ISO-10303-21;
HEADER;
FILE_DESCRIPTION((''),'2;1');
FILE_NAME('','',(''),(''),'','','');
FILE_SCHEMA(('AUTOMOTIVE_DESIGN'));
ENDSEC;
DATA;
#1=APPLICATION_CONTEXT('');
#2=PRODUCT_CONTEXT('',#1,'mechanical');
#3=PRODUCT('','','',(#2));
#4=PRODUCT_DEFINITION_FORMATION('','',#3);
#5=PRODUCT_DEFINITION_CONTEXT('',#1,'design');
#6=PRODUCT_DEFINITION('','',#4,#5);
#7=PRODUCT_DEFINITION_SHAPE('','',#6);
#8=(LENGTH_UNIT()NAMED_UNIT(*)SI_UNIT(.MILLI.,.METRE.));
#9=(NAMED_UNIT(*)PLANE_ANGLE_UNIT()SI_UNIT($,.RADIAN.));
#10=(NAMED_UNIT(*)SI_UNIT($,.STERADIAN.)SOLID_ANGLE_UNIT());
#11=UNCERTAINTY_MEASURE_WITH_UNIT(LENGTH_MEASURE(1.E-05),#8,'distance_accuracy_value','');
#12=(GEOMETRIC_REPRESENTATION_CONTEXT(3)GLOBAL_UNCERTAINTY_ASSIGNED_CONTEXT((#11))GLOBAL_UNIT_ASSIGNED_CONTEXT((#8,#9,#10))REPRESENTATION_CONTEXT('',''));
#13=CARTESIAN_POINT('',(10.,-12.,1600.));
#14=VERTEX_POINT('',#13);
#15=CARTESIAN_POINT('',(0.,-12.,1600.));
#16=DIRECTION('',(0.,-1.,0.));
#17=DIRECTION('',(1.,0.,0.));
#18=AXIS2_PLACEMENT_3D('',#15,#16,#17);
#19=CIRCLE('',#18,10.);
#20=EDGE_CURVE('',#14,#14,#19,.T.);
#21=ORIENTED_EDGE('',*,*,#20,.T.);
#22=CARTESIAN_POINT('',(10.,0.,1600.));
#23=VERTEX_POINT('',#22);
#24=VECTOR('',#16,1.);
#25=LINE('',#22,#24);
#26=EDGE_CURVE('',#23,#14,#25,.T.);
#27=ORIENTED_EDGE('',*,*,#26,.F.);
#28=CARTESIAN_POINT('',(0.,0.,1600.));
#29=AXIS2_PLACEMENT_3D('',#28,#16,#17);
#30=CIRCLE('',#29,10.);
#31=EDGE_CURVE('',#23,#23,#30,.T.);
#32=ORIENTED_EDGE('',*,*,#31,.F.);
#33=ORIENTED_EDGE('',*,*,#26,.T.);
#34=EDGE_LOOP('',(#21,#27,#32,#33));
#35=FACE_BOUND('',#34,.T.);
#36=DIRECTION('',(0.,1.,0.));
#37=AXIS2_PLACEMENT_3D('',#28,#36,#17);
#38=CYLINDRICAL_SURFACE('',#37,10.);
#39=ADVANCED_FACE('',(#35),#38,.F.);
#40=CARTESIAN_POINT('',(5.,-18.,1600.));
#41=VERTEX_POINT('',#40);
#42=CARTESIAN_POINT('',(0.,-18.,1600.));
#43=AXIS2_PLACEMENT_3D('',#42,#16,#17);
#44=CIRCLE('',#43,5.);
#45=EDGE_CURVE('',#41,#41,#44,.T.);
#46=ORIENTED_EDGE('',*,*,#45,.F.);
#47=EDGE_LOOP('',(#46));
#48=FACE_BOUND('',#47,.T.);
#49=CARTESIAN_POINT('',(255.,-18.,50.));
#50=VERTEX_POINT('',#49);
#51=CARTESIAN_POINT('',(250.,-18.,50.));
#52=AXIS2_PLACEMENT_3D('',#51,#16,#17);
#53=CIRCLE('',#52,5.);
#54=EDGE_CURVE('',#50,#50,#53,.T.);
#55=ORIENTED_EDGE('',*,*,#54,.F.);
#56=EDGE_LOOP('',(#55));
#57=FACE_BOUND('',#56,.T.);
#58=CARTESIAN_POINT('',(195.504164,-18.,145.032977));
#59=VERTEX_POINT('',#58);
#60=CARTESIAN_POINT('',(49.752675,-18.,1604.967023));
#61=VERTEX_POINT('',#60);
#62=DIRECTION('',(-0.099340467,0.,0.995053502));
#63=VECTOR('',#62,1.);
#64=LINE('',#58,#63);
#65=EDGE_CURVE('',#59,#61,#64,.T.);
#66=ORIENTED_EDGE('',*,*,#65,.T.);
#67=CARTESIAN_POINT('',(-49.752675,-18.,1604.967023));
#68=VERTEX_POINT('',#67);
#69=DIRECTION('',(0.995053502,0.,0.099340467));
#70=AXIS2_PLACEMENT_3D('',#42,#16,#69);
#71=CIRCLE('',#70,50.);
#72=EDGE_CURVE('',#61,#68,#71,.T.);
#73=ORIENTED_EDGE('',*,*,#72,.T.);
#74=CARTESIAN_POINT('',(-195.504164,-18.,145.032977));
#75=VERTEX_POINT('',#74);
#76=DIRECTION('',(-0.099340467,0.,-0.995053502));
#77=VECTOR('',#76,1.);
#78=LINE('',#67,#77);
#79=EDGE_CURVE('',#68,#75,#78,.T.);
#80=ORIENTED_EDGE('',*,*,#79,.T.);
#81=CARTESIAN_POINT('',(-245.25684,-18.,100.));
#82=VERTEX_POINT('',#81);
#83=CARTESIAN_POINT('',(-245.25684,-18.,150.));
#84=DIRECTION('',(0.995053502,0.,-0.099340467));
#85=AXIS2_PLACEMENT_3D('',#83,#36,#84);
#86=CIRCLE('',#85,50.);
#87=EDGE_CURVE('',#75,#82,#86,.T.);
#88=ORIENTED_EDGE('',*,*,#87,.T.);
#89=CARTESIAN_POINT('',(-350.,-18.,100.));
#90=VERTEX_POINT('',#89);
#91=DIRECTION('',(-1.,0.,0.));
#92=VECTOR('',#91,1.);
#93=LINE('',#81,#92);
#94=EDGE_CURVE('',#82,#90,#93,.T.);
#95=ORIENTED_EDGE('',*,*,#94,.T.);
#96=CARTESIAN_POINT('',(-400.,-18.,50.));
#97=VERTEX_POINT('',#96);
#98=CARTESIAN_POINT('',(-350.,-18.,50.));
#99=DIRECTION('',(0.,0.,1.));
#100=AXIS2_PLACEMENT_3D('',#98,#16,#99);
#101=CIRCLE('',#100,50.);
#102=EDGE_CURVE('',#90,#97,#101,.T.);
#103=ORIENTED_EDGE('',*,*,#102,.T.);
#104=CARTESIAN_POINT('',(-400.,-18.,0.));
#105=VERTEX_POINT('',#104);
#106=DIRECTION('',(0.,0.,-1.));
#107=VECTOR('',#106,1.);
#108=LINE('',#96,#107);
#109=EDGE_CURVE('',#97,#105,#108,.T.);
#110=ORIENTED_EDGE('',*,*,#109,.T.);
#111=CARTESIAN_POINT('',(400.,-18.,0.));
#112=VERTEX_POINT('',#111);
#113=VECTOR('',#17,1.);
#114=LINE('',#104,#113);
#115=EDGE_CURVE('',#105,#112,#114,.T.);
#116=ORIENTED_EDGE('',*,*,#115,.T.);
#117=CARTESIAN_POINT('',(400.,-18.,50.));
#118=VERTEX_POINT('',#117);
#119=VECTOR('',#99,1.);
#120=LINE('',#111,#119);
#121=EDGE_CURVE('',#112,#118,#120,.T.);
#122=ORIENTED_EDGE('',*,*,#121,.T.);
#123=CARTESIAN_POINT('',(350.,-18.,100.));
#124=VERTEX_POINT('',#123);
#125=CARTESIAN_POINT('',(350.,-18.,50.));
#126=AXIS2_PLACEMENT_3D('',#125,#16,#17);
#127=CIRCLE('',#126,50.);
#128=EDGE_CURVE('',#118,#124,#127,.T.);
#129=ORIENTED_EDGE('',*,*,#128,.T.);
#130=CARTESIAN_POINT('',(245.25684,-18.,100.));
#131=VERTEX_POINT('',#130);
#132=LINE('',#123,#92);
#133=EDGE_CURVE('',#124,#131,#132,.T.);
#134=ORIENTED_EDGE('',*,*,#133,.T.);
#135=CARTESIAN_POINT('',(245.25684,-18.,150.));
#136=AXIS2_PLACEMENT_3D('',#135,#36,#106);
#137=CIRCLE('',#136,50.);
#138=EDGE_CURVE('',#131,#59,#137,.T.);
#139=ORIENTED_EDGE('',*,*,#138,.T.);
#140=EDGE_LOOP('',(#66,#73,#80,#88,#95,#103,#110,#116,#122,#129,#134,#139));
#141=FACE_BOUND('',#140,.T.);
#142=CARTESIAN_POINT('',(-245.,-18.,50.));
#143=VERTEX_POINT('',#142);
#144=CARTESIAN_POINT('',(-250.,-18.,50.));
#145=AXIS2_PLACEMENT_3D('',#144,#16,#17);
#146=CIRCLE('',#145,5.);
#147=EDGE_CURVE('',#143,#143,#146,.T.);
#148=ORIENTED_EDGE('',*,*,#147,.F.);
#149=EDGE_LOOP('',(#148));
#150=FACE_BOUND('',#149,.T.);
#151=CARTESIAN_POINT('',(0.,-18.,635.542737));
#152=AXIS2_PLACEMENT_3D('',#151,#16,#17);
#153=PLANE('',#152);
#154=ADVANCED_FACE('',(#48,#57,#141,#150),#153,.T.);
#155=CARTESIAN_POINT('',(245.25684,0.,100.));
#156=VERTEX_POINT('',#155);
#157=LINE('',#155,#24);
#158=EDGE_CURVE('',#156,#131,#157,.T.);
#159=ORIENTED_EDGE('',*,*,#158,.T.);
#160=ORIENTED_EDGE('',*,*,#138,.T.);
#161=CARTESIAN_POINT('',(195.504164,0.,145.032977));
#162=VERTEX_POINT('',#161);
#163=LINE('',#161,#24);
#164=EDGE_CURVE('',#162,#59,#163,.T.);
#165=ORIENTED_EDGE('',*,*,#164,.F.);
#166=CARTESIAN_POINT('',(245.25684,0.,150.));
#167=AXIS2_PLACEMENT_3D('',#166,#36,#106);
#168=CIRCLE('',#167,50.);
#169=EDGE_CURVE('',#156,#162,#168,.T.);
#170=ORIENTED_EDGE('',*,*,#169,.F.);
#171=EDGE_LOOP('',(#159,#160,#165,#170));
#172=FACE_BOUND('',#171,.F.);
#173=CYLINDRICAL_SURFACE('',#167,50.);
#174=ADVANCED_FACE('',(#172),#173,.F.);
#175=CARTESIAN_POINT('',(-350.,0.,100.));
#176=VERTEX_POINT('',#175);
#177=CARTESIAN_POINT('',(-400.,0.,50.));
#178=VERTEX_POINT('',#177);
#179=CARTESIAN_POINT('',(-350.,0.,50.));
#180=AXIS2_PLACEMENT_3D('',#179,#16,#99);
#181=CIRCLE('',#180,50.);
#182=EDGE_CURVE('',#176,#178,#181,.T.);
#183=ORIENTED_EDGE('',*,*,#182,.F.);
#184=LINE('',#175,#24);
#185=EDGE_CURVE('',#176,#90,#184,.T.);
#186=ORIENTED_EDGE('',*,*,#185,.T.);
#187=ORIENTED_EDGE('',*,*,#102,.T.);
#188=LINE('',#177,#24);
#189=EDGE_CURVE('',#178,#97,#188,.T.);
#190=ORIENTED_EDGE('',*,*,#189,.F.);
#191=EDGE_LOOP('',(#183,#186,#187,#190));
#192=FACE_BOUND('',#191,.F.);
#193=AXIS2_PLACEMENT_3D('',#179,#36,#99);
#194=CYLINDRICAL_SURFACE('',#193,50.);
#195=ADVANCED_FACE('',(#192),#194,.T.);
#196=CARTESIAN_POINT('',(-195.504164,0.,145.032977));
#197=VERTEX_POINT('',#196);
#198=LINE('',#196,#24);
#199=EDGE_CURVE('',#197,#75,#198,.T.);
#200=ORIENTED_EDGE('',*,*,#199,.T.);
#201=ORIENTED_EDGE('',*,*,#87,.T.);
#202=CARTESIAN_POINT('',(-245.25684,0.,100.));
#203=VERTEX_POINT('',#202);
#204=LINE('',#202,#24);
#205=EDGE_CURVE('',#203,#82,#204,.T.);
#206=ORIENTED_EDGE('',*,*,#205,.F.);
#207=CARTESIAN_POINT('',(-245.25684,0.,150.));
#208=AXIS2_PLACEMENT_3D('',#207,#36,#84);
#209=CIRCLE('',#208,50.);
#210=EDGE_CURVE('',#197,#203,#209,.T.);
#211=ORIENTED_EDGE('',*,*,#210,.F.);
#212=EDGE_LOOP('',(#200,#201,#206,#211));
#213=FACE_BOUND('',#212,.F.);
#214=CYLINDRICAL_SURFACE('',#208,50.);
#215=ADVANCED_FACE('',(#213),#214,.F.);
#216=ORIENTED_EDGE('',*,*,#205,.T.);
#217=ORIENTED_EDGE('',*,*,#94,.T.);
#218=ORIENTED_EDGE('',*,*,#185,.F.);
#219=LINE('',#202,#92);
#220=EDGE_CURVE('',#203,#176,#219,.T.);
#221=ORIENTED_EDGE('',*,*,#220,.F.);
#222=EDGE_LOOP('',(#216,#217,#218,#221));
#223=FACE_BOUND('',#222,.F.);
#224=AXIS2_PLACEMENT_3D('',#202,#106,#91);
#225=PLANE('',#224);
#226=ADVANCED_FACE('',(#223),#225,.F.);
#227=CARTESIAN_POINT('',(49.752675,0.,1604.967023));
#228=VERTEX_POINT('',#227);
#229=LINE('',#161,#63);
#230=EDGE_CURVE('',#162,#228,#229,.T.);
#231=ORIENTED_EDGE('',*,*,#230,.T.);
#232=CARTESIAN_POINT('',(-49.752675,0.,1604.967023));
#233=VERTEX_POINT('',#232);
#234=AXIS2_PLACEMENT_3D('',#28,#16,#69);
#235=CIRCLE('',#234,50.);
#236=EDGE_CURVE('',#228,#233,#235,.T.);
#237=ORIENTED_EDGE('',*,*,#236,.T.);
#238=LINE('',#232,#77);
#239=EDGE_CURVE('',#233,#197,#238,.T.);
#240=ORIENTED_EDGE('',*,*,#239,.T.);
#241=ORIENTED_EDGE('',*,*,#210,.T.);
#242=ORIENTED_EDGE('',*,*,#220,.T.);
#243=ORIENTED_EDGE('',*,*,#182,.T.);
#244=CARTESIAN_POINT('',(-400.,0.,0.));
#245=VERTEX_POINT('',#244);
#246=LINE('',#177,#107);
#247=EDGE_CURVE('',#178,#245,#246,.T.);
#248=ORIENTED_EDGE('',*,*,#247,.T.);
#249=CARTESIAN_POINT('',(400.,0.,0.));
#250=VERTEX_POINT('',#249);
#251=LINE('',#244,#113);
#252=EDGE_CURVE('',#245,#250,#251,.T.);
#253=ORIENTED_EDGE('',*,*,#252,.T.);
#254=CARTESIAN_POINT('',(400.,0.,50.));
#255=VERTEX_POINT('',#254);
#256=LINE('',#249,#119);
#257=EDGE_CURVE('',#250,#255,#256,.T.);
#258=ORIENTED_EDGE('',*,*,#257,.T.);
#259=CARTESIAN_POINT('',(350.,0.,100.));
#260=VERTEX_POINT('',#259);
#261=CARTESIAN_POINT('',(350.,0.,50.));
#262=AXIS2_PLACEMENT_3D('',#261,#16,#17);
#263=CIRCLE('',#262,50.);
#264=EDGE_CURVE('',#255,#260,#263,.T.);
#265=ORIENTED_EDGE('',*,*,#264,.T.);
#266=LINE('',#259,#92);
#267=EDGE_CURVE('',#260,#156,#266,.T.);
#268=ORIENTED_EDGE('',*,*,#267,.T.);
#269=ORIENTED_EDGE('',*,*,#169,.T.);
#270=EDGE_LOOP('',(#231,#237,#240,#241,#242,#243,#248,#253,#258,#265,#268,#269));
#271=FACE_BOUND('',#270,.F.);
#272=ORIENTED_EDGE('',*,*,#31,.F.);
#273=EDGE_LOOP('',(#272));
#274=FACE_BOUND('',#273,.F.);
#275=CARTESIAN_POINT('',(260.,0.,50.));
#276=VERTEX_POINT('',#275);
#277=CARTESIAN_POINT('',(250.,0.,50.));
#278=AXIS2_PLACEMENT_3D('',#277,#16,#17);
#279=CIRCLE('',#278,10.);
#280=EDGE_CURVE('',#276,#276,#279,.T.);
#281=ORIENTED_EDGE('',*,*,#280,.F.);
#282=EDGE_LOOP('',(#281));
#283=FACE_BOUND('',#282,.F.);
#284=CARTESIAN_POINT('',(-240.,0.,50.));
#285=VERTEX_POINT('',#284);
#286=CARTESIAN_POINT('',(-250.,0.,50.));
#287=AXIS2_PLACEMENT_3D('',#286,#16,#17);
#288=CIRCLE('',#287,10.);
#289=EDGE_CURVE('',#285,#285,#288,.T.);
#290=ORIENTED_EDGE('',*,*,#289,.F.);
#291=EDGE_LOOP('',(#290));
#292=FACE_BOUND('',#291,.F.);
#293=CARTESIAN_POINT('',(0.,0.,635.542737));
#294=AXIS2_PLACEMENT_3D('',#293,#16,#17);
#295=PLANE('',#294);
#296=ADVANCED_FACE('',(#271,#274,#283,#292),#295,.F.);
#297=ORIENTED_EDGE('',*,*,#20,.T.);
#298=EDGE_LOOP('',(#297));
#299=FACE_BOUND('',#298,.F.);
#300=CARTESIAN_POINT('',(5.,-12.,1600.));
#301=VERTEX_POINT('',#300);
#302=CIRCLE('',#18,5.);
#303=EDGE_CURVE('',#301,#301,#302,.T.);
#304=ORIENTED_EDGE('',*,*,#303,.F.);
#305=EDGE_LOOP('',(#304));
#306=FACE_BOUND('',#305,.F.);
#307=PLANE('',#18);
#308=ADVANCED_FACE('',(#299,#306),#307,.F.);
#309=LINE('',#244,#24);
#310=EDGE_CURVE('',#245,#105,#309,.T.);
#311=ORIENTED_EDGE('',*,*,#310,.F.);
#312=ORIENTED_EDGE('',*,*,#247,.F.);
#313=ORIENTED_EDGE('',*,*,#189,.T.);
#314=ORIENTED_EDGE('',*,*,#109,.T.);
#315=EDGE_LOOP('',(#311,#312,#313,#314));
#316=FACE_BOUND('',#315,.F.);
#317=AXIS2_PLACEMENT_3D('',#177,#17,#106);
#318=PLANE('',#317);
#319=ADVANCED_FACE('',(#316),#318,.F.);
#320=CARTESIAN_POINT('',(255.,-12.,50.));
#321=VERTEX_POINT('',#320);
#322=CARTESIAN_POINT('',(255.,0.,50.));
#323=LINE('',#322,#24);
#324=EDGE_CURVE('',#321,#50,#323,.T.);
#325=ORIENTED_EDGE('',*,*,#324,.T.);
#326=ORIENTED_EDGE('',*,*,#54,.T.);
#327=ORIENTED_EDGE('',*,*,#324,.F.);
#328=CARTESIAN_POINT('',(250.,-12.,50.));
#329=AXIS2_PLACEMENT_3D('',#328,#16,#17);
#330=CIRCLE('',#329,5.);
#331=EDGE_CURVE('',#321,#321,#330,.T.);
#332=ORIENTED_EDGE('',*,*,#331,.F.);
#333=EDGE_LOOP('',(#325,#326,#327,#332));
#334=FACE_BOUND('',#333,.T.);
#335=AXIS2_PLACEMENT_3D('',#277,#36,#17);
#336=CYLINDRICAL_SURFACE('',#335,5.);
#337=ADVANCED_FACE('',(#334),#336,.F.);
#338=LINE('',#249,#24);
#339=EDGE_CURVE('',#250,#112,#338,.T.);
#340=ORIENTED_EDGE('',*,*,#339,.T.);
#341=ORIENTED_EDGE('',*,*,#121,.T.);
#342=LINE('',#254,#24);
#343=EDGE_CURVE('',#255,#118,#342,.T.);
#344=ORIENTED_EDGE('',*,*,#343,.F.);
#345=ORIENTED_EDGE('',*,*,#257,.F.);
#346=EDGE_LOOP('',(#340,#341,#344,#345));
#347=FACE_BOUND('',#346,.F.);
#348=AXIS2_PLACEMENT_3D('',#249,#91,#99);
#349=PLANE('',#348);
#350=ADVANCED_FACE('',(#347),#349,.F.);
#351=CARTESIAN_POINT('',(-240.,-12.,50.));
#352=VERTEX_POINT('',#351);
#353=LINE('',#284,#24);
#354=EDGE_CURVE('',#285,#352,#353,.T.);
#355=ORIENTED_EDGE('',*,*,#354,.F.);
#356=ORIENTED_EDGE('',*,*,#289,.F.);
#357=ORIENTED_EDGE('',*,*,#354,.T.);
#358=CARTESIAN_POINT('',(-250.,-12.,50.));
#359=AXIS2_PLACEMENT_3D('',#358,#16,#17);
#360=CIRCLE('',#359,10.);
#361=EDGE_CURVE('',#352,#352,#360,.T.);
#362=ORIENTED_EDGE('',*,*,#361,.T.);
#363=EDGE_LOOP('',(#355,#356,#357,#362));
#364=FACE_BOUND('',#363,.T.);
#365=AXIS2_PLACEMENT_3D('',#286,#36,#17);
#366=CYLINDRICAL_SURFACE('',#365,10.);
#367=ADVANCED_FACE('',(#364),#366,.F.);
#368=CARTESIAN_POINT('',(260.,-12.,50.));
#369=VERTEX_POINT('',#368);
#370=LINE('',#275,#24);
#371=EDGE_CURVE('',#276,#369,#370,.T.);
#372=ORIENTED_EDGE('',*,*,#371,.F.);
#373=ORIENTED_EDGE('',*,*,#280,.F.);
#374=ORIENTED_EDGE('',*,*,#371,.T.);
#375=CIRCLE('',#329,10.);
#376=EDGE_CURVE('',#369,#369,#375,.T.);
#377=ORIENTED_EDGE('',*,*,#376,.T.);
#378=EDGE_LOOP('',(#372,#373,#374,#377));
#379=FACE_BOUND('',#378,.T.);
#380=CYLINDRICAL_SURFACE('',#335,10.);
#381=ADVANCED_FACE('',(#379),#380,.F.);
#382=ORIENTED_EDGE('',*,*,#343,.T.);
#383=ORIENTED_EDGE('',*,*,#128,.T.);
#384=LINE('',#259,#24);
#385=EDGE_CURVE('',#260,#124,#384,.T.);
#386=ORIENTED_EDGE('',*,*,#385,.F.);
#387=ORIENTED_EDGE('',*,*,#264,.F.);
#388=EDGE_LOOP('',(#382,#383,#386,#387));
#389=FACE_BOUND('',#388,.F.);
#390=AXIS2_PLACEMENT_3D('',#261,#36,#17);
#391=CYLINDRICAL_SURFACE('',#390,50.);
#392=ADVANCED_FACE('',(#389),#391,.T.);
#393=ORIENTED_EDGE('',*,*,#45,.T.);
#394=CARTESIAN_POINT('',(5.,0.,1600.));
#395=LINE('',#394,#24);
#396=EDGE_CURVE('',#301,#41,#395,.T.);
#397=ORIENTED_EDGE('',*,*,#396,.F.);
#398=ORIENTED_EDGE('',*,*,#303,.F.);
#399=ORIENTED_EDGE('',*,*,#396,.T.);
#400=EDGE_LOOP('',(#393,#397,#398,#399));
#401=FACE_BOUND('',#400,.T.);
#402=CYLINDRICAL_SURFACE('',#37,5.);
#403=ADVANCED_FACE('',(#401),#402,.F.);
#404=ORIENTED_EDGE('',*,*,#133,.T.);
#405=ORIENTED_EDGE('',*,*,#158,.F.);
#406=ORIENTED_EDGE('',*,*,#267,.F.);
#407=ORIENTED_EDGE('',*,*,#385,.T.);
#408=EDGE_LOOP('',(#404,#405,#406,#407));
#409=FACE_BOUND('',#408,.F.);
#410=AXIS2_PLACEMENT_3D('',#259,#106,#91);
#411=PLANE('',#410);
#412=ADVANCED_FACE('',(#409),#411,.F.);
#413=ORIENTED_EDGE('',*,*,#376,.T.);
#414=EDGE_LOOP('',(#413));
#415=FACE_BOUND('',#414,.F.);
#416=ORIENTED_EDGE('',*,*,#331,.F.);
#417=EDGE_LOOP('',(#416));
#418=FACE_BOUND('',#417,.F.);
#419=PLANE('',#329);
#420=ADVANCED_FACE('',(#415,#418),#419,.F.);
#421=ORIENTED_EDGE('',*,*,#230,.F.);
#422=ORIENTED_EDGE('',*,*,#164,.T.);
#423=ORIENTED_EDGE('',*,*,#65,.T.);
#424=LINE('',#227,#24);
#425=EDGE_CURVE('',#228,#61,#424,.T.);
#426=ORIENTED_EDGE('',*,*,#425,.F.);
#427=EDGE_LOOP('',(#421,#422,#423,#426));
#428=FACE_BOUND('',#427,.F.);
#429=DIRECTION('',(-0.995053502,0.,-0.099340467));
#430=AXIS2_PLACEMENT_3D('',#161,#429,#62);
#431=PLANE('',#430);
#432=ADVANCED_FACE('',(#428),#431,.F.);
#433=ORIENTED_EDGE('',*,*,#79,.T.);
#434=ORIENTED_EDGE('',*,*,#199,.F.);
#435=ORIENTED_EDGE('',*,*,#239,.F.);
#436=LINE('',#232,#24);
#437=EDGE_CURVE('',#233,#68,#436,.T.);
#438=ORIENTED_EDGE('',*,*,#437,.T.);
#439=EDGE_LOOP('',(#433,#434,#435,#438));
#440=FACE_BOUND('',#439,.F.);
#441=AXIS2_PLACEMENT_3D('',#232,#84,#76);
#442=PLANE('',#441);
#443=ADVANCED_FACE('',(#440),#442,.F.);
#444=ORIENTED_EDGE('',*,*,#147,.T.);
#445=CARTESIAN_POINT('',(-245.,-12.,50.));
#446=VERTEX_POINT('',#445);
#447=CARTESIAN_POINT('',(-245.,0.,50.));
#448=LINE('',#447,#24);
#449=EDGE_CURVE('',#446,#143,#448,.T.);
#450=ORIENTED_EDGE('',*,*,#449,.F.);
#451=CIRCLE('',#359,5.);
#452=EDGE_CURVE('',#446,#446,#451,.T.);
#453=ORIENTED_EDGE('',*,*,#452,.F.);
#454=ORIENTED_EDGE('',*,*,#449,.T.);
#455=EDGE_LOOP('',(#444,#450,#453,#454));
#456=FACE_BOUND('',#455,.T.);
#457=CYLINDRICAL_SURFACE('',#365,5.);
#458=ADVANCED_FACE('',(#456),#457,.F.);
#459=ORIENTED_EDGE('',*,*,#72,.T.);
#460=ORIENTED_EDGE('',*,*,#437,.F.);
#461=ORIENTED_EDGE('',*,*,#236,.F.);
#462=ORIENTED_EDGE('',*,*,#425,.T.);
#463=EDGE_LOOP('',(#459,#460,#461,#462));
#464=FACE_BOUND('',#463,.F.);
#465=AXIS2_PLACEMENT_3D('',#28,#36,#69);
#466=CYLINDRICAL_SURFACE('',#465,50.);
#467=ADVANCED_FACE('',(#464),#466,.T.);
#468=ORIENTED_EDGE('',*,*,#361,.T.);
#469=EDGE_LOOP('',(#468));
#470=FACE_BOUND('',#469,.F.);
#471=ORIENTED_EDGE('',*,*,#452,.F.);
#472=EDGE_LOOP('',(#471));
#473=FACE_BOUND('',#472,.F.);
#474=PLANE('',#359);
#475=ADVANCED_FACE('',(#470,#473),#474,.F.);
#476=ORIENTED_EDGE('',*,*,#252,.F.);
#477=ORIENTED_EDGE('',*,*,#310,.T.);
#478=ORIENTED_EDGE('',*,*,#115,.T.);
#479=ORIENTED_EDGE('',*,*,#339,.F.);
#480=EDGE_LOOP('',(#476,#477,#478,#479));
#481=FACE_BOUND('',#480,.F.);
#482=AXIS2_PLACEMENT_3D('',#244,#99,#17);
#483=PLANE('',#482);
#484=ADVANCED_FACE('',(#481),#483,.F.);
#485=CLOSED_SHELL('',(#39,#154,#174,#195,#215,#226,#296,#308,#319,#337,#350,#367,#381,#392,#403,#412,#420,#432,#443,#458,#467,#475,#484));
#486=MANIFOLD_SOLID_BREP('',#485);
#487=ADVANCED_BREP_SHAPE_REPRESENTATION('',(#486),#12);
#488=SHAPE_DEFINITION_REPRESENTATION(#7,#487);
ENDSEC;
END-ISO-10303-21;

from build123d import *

# Parameters (mm, degrees)
F1_R     = 10
F1_R_2   = 5
F2_DEPTH = 18
F3_DEPTH = 12


with BuildPart() as f2:
    # F1 (on Front) → F2 (new body)
    with BuildSketch(Plane.XZ):
        with BuildLine():
            Line((-400, 0), (0, 0))
            Line((0, 0), (400, 0))
            Line((400, 0), (400, 50))
            ThreePointArc((400, 50), (385.3553390593, 85.3553390593), (350, 100))
            Line((350, 100), (245.256839525, 100))
            ThreePointArc((245.256839525, 100), (211.7035324399, 112.9301256591), (195.5041644303, 145.032976654))
            Line((195.5041644303, 145.032976654), (49.7526750947, 1604.967023346))
            ThreePointArc((49.7526750947, 1604.967023346), (0, 1650), (-49.7526750947, 1604.967023346))
            Line((-49.7526750947, 1604.967023346), (-195.5041644303, 145.032976654))
            ThreePointArc((-195.5041644303, 145.032976654), (-211.7035324399, 112.9301256591), (-245.256839525, 100))
            Line((-245.256839525, 100), (-350, 100))
            ThreePointArc((-350, 100), (-385.3553390593, 85.3553390593), (-400, 50))
            Line((-400, 50), (-400, 0))
        make_face()
        with Locations((-250, 50)):
            Circle(F1_R, mode=Mode.SUBTRACT)
        with Locations((250, 50)):
            Circle(F1_R, mode=Mode.SUBTRACT)
        with Locations((0, 1600)):
            Circle(F1_R, mode=Mode.SUBTRACT)
        with Locations((0, 1600)):
            Circle(F1_R)
        with Locations((0, 1600)):
            Circle(F1_R_2, mode=Mode.SUBTRACT)
        with Locations((-250, 50)):
            Circle(F1_R)
        with Locations((-250, 50)):
            Circle(F1_R_2, mode=Mode.SUBTRACT)
        with Locations((250, 50)):
            Circle(F1_R)
        with Locations((250, 50)):
            Circle(F1_R_2, mode=Mode.SUBTRACT)
    extrude(amount=F2_DEPTH)

    # F1 (on Front) → F3 (cut)
    with BuildSketch(Plane.XZ):
        with Locations((0, 1600)):
            Circle(F1_R)
        with Locations((0, 1600)):
            Circle(F1_R_2, mode=Mode.SUBTRACT)
        with Locations((250, 50)):
            Circle(F1_R)
        with Locations((250, 50)):
            Circle(F1_R_2, mode=Mode.SUBTRACT)
        with Locations((-250, 50)):
            Circle(F1_R)
        with Locations((-250, 50)):
            Circle(F1_R_2, mode=Mode.SUBTRACT)
    extrude(amount=F3_DEPTH, mode=Mode.SUBTRACT)


solid = f2.part
